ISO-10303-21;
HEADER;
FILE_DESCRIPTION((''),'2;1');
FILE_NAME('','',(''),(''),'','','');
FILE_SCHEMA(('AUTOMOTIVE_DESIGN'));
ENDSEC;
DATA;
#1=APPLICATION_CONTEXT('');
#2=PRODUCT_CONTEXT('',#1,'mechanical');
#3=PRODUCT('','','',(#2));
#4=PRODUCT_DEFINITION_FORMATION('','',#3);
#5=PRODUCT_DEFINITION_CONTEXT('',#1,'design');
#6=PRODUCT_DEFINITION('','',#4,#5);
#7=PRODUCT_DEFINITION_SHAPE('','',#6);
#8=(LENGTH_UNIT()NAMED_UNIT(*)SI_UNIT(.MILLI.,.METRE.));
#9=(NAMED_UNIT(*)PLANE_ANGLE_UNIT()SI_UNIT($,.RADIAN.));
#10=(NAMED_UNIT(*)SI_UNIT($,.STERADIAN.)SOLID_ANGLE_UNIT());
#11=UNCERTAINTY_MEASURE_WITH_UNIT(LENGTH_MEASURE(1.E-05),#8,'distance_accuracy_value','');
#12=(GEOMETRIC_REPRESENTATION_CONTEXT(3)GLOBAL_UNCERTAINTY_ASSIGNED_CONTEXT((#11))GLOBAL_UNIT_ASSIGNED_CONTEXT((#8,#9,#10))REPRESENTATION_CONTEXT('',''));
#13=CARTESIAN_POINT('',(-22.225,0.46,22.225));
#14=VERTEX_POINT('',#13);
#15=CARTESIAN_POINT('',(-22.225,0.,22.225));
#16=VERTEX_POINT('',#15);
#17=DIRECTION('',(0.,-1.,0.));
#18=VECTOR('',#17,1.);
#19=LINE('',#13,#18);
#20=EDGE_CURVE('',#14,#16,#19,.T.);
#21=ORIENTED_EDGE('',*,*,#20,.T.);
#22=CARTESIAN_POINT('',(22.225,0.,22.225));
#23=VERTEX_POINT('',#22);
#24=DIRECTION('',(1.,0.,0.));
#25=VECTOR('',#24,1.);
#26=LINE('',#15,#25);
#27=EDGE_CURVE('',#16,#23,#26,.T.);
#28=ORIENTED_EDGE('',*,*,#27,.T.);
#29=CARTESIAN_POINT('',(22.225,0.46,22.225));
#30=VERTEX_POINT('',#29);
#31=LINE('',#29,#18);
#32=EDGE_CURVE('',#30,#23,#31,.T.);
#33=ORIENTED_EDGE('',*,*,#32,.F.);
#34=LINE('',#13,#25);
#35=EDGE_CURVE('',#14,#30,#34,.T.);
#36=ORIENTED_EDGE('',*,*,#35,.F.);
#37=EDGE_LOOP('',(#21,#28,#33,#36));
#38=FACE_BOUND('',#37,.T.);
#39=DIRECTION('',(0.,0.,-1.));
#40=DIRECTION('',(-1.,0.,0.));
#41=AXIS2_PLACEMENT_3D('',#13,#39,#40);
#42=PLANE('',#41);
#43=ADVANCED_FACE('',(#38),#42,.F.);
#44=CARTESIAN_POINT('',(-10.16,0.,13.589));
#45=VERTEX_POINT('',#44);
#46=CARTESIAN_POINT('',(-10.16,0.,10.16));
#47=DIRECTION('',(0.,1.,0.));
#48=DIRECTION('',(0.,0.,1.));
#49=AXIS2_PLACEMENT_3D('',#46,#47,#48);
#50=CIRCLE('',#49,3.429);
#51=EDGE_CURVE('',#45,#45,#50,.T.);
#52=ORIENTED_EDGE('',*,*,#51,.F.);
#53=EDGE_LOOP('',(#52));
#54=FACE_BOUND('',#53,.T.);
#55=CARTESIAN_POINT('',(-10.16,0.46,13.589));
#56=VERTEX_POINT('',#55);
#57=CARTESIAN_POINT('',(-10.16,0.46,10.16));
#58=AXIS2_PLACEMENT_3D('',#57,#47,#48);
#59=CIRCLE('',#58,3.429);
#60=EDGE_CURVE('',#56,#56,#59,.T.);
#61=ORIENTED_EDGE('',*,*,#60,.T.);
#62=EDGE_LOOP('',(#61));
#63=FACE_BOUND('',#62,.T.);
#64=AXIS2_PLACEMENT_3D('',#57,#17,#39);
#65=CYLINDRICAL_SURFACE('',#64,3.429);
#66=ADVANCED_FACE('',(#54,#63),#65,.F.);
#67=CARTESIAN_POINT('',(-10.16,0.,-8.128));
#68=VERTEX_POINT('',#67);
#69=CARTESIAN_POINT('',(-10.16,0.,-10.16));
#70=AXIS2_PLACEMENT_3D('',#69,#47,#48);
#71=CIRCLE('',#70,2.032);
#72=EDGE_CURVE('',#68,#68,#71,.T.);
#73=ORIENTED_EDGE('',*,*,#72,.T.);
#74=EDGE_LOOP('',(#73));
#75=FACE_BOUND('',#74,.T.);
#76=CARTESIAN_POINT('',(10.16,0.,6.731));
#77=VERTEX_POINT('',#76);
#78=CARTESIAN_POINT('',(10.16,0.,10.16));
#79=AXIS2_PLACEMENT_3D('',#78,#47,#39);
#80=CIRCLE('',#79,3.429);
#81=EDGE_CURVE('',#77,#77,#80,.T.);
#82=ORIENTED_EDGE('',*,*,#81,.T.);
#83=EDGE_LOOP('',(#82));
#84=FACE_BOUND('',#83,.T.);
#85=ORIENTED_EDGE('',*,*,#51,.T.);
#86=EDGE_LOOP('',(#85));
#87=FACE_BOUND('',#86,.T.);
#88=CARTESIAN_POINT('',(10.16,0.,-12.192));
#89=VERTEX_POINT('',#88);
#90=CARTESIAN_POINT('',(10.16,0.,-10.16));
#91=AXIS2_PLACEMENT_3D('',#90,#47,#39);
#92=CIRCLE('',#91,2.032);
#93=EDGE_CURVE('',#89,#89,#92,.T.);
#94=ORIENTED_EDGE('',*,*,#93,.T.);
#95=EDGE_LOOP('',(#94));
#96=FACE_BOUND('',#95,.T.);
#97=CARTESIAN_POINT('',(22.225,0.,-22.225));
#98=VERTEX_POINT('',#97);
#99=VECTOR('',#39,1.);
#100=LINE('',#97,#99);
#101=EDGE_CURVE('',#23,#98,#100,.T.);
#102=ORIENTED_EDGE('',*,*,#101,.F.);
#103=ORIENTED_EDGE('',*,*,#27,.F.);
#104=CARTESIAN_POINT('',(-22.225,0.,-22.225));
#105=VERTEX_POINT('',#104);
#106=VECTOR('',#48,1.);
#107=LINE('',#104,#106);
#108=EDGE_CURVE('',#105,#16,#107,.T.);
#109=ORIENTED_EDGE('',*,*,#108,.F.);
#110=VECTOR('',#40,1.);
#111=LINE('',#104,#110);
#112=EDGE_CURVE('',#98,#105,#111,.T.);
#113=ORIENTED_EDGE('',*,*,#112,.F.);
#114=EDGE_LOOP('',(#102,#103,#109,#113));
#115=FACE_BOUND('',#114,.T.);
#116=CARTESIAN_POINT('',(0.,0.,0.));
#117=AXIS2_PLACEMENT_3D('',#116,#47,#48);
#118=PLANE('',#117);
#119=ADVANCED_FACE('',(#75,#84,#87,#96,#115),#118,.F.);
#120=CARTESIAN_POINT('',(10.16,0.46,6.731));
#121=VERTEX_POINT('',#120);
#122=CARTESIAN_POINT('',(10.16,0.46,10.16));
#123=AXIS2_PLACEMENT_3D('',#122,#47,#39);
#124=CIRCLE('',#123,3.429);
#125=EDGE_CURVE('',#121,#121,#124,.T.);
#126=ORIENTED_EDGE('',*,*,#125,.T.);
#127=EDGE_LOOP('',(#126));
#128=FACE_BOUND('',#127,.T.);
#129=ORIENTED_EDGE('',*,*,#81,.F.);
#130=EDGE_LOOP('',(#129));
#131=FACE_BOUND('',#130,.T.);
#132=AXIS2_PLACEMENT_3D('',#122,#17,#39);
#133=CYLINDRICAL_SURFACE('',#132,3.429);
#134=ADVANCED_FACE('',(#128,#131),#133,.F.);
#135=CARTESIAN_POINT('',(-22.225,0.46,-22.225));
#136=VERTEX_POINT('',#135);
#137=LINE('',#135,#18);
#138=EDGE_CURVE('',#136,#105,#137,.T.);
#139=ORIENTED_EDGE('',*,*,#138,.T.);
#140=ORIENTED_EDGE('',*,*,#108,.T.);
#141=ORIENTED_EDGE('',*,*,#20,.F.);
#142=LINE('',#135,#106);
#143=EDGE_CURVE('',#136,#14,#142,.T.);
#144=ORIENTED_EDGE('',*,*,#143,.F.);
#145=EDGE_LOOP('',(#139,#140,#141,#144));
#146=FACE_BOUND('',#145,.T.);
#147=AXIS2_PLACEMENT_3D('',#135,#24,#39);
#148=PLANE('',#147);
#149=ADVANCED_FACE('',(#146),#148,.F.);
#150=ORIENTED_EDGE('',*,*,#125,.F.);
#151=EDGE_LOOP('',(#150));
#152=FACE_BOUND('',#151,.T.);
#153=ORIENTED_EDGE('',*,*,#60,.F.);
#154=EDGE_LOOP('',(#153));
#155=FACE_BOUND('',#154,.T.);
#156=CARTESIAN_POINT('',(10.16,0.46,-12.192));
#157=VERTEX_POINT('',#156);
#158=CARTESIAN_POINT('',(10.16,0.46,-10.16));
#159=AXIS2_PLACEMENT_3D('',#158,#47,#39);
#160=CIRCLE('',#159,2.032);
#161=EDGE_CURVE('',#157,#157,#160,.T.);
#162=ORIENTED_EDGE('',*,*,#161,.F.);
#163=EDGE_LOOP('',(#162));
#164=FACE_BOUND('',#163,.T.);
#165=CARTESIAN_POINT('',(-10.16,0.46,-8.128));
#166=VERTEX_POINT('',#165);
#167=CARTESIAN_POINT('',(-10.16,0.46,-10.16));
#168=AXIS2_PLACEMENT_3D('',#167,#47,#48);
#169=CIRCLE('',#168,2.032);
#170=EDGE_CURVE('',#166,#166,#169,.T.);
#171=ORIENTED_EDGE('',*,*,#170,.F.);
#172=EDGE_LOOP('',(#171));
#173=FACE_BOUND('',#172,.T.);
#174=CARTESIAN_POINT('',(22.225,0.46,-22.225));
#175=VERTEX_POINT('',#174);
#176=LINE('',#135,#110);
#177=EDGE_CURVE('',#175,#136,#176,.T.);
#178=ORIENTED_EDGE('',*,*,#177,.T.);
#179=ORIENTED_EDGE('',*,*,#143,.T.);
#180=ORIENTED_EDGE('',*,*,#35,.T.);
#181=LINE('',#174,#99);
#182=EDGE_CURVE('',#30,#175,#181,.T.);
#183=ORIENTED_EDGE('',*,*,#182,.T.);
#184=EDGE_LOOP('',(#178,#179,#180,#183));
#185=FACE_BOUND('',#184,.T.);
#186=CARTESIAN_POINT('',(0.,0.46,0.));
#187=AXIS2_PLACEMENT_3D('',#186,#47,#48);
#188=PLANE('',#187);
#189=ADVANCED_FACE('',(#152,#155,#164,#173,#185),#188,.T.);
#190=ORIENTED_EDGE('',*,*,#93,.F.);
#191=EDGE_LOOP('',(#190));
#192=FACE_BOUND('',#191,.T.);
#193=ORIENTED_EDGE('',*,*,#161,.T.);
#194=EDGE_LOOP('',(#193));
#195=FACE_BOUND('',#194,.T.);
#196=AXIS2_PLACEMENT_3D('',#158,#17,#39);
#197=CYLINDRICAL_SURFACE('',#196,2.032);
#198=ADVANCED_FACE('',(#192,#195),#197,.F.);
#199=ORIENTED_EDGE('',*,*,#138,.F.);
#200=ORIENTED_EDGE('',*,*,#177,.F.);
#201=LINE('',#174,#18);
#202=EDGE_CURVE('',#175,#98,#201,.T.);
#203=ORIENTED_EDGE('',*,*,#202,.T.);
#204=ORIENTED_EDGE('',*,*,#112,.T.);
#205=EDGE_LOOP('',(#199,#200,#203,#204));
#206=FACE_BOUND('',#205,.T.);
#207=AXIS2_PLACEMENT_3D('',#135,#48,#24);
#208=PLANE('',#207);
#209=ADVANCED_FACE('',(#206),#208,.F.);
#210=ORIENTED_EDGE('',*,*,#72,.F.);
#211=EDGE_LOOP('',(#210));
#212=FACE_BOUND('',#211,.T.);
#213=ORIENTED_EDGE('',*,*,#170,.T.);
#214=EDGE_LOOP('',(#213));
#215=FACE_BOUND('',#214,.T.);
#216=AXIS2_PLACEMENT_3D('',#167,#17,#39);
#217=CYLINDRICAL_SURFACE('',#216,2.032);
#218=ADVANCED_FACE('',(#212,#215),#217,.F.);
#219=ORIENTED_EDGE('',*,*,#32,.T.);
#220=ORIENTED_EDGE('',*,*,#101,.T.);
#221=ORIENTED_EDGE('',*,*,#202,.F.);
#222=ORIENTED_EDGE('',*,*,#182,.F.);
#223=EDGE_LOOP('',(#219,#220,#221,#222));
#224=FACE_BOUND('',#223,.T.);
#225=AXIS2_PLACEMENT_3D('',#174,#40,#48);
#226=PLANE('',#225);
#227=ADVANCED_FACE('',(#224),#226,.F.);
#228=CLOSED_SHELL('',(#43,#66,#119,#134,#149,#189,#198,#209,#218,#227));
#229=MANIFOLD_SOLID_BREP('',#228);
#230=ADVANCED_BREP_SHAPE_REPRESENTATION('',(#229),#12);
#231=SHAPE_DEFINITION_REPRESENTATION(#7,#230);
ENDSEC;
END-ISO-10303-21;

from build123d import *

# Parameters (mm, degrees)
SKETCH1_W           = 44.45
SKETCH1_H           = 44.45
SKETCH1_R           = 2.032
SKETCH1_R_2         = 3.429
BOSS_EXTRUDE1_DEPTH = 0.46


with BuildPart() as part:
    # Sketch1 → Boss-Extrude1 (new body)
    with BuildSketch(Plane(origin=(0, 0, 0), x_dir=(1, 0, 0), z_dir=(0, 1, 0))):
        Rectangle(SKETCH1_W, SKETCH1_H)
        with Locations(Location((-10.16, 10.16, 0), (0, 0, 270))):
            Circle(SKETCH1_R, mode=Mode.SUBTRACT)
        with Locations(Location((10.16, 10.16, 0), (0, 0, 90))):
            Circle(SKETCH1_R, mode=Mode.SUBTRACT)
        with Locations(Location((-10.16, -10.16, 0), (0, 0, 270))):
            Circle(SKETCH1_R_2, mode=Mode.SUBTRACT)
        with Locations(Location((10.16, -10.16, 0), (0, 0, 90))):
            Circle(SKETCH1_R_2, mode=Mode.SUBTRACT)
    extrude(amount=BOSS_EXTRUDE1_DEPTH)


solid = part.part
